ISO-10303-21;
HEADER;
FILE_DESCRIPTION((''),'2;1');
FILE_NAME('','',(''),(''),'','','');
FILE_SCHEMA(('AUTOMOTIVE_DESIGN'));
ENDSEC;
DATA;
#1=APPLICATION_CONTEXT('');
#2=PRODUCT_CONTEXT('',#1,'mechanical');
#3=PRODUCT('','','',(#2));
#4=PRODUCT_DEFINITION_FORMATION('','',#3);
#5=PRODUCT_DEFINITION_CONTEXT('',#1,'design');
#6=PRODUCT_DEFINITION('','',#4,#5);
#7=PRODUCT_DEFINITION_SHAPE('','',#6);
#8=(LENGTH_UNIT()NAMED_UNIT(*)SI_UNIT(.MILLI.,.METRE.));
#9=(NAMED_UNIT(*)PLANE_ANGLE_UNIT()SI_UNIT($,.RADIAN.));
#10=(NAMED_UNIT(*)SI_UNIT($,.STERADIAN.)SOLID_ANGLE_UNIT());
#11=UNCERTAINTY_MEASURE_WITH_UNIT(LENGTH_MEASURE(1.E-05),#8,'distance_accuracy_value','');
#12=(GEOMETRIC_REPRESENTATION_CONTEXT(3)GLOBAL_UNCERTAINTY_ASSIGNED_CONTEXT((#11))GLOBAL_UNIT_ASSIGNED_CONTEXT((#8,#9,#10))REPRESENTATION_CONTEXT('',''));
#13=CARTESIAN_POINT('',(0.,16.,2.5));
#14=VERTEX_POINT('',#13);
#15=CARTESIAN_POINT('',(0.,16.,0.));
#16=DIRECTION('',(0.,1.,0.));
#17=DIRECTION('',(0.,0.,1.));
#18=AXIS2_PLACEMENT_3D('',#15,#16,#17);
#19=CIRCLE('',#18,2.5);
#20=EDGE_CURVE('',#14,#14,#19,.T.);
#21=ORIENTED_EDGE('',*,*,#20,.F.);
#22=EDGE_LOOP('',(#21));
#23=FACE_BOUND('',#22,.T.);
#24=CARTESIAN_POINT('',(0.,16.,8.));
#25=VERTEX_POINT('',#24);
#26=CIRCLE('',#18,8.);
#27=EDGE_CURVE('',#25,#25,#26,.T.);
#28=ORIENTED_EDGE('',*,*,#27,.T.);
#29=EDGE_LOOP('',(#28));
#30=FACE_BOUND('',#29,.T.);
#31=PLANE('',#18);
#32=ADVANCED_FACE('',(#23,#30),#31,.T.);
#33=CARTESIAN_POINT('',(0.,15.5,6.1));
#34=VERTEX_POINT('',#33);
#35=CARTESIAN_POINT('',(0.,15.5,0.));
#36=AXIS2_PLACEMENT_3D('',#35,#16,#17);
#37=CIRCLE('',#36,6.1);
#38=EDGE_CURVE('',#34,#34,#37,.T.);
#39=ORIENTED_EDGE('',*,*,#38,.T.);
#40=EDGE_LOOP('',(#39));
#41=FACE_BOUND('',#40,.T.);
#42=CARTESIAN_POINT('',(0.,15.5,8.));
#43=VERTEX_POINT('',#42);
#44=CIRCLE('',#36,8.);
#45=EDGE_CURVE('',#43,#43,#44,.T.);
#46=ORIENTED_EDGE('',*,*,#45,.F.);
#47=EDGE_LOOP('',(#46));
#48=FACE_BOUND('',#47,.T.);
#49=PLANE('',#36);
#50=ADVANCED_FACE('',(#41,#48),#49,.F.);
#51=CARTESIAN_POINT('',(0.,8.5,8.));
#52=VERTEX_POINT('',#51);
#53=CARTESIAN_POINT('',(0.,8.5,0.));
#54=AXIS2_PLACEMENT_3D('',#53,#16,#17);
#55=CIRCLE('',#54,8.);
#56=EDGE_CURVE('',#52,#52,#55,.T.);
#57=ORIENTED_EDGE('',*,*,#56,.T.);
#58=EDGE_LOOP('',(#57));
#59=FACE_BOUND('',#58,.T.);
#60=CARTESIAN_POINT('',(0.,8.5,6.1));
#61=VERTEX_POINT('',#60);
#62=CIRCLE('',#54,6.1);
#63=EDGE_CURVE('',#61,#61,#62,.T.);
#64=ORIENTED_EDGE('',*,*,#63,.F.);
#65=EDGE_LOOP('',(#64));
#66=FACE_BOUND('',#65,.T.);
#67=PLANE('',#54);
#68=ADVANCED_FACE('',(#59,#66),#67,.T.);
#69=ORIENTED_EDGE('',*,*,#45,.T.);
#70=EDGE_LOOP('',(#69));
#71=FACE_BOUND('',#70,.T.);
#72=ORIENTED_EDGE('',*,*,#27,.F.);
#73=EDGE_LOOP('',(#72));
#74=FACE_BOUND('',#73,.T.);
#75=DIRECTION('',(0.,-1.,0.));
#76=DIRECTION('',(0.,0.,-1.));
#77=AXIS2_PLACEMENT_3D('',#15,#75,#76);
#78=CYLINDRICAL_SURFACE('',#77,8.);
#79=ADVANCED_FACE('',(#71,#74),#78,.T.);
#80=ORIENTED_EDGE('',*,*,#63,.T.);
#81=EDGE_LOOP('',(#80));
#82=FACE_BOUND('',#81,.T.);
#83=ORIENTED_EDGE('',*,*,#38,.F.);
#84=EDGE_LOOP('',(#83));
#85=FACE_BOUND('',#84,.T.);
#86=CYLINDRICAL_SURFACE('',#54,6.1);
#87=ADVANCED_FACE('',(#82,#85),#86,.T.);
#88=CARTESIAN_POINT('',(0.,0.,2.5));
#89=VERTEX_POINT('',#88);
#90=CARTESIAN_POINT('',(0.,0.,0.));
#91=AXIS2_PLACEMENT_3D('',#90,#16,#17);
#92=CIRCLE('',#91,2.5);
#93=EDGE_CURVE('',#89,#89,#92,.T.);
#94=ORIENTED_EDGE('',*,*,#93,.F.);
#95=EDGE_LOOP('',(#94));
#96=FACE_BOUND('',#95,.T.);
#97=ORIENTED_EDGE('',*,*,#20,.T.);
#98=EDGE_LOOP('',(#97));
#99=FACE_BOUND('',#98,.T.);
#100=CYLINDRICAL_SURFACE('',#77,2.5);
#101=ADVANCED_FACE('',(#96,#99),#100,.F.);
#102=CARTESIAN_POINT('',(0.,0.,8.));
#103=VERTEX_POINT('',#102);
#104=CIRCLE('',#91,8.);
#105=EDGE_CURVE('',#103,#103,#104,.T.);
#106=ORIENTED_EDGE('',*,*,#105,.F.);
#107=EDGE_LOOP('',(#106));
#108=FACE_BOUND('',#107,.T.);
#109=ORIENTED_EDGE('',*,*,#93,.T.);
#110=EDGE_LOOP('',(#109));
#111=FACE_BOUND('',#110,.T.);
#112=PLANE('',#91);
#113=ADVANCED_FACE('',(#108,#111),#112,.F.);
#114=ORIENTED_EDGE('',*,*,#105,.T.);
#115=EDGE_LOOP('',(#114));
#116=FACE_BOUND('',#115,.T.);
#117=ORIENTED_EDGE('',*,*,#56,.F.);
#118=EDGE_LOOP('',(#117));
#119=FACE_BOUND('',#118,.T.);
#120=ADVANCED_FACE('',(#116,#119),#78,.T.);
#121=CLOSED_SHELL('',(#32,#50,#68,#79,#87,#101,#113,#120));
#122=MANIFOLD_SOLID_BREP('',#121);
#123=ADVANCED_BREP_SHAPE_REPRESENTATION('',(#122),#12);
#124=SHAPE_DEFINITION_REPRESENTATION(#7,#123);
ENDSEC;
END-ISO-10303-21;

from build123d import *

# Parameters (mm, degrees)
SKETCH1_R           = 8
SKETCH1_R_2         = 2.5
BOSS_EXTRUDE1_DEPTH = 16
SKETCH2_R           = 8.5196911
SKETCH2_R_2         = 6.1
CUT_EXTRUDE1_DEPTH  = 7


with BuildPart() as part:
    # Sketch1 → Boss-Extrude1 (new body)
    with BuildSketch(Plane(origin=(0, 0, 0), x_dir=(1, 0, 0), z_dir=(0, 1, 0))):
        with Locations(Location((0, 0, 0), (0, 0, 270))):
            Circle(SKETCH1_R)
        with Locations(Location((0, 0, 0), (0, 0, 270))):
            Circle(SKETCH1_R_2, mode=Mode.SUBTRACT)
    extrude(amount=BOSS_EXTRUDE1_DEPTH)

    # Sketch2 → Cut-Extrude1 (cut)
    with BuildSketch(Plane(origin=(0, 15.5, 0), x_dir=(1, 0, 0), z_dir=(0, 1, 0))):
        Circle(SKETCH2_R)
        with Locations(Location((0, 0, 0), (0, 0, 270))):
            Circle(SKETCH2_R_2, mode=Mode.SUBTRACT)
    extrude(amount=-CUT_EXTRUDE1_DEPTH, mode=Mode.SUBTRACT)


solid = part.part
